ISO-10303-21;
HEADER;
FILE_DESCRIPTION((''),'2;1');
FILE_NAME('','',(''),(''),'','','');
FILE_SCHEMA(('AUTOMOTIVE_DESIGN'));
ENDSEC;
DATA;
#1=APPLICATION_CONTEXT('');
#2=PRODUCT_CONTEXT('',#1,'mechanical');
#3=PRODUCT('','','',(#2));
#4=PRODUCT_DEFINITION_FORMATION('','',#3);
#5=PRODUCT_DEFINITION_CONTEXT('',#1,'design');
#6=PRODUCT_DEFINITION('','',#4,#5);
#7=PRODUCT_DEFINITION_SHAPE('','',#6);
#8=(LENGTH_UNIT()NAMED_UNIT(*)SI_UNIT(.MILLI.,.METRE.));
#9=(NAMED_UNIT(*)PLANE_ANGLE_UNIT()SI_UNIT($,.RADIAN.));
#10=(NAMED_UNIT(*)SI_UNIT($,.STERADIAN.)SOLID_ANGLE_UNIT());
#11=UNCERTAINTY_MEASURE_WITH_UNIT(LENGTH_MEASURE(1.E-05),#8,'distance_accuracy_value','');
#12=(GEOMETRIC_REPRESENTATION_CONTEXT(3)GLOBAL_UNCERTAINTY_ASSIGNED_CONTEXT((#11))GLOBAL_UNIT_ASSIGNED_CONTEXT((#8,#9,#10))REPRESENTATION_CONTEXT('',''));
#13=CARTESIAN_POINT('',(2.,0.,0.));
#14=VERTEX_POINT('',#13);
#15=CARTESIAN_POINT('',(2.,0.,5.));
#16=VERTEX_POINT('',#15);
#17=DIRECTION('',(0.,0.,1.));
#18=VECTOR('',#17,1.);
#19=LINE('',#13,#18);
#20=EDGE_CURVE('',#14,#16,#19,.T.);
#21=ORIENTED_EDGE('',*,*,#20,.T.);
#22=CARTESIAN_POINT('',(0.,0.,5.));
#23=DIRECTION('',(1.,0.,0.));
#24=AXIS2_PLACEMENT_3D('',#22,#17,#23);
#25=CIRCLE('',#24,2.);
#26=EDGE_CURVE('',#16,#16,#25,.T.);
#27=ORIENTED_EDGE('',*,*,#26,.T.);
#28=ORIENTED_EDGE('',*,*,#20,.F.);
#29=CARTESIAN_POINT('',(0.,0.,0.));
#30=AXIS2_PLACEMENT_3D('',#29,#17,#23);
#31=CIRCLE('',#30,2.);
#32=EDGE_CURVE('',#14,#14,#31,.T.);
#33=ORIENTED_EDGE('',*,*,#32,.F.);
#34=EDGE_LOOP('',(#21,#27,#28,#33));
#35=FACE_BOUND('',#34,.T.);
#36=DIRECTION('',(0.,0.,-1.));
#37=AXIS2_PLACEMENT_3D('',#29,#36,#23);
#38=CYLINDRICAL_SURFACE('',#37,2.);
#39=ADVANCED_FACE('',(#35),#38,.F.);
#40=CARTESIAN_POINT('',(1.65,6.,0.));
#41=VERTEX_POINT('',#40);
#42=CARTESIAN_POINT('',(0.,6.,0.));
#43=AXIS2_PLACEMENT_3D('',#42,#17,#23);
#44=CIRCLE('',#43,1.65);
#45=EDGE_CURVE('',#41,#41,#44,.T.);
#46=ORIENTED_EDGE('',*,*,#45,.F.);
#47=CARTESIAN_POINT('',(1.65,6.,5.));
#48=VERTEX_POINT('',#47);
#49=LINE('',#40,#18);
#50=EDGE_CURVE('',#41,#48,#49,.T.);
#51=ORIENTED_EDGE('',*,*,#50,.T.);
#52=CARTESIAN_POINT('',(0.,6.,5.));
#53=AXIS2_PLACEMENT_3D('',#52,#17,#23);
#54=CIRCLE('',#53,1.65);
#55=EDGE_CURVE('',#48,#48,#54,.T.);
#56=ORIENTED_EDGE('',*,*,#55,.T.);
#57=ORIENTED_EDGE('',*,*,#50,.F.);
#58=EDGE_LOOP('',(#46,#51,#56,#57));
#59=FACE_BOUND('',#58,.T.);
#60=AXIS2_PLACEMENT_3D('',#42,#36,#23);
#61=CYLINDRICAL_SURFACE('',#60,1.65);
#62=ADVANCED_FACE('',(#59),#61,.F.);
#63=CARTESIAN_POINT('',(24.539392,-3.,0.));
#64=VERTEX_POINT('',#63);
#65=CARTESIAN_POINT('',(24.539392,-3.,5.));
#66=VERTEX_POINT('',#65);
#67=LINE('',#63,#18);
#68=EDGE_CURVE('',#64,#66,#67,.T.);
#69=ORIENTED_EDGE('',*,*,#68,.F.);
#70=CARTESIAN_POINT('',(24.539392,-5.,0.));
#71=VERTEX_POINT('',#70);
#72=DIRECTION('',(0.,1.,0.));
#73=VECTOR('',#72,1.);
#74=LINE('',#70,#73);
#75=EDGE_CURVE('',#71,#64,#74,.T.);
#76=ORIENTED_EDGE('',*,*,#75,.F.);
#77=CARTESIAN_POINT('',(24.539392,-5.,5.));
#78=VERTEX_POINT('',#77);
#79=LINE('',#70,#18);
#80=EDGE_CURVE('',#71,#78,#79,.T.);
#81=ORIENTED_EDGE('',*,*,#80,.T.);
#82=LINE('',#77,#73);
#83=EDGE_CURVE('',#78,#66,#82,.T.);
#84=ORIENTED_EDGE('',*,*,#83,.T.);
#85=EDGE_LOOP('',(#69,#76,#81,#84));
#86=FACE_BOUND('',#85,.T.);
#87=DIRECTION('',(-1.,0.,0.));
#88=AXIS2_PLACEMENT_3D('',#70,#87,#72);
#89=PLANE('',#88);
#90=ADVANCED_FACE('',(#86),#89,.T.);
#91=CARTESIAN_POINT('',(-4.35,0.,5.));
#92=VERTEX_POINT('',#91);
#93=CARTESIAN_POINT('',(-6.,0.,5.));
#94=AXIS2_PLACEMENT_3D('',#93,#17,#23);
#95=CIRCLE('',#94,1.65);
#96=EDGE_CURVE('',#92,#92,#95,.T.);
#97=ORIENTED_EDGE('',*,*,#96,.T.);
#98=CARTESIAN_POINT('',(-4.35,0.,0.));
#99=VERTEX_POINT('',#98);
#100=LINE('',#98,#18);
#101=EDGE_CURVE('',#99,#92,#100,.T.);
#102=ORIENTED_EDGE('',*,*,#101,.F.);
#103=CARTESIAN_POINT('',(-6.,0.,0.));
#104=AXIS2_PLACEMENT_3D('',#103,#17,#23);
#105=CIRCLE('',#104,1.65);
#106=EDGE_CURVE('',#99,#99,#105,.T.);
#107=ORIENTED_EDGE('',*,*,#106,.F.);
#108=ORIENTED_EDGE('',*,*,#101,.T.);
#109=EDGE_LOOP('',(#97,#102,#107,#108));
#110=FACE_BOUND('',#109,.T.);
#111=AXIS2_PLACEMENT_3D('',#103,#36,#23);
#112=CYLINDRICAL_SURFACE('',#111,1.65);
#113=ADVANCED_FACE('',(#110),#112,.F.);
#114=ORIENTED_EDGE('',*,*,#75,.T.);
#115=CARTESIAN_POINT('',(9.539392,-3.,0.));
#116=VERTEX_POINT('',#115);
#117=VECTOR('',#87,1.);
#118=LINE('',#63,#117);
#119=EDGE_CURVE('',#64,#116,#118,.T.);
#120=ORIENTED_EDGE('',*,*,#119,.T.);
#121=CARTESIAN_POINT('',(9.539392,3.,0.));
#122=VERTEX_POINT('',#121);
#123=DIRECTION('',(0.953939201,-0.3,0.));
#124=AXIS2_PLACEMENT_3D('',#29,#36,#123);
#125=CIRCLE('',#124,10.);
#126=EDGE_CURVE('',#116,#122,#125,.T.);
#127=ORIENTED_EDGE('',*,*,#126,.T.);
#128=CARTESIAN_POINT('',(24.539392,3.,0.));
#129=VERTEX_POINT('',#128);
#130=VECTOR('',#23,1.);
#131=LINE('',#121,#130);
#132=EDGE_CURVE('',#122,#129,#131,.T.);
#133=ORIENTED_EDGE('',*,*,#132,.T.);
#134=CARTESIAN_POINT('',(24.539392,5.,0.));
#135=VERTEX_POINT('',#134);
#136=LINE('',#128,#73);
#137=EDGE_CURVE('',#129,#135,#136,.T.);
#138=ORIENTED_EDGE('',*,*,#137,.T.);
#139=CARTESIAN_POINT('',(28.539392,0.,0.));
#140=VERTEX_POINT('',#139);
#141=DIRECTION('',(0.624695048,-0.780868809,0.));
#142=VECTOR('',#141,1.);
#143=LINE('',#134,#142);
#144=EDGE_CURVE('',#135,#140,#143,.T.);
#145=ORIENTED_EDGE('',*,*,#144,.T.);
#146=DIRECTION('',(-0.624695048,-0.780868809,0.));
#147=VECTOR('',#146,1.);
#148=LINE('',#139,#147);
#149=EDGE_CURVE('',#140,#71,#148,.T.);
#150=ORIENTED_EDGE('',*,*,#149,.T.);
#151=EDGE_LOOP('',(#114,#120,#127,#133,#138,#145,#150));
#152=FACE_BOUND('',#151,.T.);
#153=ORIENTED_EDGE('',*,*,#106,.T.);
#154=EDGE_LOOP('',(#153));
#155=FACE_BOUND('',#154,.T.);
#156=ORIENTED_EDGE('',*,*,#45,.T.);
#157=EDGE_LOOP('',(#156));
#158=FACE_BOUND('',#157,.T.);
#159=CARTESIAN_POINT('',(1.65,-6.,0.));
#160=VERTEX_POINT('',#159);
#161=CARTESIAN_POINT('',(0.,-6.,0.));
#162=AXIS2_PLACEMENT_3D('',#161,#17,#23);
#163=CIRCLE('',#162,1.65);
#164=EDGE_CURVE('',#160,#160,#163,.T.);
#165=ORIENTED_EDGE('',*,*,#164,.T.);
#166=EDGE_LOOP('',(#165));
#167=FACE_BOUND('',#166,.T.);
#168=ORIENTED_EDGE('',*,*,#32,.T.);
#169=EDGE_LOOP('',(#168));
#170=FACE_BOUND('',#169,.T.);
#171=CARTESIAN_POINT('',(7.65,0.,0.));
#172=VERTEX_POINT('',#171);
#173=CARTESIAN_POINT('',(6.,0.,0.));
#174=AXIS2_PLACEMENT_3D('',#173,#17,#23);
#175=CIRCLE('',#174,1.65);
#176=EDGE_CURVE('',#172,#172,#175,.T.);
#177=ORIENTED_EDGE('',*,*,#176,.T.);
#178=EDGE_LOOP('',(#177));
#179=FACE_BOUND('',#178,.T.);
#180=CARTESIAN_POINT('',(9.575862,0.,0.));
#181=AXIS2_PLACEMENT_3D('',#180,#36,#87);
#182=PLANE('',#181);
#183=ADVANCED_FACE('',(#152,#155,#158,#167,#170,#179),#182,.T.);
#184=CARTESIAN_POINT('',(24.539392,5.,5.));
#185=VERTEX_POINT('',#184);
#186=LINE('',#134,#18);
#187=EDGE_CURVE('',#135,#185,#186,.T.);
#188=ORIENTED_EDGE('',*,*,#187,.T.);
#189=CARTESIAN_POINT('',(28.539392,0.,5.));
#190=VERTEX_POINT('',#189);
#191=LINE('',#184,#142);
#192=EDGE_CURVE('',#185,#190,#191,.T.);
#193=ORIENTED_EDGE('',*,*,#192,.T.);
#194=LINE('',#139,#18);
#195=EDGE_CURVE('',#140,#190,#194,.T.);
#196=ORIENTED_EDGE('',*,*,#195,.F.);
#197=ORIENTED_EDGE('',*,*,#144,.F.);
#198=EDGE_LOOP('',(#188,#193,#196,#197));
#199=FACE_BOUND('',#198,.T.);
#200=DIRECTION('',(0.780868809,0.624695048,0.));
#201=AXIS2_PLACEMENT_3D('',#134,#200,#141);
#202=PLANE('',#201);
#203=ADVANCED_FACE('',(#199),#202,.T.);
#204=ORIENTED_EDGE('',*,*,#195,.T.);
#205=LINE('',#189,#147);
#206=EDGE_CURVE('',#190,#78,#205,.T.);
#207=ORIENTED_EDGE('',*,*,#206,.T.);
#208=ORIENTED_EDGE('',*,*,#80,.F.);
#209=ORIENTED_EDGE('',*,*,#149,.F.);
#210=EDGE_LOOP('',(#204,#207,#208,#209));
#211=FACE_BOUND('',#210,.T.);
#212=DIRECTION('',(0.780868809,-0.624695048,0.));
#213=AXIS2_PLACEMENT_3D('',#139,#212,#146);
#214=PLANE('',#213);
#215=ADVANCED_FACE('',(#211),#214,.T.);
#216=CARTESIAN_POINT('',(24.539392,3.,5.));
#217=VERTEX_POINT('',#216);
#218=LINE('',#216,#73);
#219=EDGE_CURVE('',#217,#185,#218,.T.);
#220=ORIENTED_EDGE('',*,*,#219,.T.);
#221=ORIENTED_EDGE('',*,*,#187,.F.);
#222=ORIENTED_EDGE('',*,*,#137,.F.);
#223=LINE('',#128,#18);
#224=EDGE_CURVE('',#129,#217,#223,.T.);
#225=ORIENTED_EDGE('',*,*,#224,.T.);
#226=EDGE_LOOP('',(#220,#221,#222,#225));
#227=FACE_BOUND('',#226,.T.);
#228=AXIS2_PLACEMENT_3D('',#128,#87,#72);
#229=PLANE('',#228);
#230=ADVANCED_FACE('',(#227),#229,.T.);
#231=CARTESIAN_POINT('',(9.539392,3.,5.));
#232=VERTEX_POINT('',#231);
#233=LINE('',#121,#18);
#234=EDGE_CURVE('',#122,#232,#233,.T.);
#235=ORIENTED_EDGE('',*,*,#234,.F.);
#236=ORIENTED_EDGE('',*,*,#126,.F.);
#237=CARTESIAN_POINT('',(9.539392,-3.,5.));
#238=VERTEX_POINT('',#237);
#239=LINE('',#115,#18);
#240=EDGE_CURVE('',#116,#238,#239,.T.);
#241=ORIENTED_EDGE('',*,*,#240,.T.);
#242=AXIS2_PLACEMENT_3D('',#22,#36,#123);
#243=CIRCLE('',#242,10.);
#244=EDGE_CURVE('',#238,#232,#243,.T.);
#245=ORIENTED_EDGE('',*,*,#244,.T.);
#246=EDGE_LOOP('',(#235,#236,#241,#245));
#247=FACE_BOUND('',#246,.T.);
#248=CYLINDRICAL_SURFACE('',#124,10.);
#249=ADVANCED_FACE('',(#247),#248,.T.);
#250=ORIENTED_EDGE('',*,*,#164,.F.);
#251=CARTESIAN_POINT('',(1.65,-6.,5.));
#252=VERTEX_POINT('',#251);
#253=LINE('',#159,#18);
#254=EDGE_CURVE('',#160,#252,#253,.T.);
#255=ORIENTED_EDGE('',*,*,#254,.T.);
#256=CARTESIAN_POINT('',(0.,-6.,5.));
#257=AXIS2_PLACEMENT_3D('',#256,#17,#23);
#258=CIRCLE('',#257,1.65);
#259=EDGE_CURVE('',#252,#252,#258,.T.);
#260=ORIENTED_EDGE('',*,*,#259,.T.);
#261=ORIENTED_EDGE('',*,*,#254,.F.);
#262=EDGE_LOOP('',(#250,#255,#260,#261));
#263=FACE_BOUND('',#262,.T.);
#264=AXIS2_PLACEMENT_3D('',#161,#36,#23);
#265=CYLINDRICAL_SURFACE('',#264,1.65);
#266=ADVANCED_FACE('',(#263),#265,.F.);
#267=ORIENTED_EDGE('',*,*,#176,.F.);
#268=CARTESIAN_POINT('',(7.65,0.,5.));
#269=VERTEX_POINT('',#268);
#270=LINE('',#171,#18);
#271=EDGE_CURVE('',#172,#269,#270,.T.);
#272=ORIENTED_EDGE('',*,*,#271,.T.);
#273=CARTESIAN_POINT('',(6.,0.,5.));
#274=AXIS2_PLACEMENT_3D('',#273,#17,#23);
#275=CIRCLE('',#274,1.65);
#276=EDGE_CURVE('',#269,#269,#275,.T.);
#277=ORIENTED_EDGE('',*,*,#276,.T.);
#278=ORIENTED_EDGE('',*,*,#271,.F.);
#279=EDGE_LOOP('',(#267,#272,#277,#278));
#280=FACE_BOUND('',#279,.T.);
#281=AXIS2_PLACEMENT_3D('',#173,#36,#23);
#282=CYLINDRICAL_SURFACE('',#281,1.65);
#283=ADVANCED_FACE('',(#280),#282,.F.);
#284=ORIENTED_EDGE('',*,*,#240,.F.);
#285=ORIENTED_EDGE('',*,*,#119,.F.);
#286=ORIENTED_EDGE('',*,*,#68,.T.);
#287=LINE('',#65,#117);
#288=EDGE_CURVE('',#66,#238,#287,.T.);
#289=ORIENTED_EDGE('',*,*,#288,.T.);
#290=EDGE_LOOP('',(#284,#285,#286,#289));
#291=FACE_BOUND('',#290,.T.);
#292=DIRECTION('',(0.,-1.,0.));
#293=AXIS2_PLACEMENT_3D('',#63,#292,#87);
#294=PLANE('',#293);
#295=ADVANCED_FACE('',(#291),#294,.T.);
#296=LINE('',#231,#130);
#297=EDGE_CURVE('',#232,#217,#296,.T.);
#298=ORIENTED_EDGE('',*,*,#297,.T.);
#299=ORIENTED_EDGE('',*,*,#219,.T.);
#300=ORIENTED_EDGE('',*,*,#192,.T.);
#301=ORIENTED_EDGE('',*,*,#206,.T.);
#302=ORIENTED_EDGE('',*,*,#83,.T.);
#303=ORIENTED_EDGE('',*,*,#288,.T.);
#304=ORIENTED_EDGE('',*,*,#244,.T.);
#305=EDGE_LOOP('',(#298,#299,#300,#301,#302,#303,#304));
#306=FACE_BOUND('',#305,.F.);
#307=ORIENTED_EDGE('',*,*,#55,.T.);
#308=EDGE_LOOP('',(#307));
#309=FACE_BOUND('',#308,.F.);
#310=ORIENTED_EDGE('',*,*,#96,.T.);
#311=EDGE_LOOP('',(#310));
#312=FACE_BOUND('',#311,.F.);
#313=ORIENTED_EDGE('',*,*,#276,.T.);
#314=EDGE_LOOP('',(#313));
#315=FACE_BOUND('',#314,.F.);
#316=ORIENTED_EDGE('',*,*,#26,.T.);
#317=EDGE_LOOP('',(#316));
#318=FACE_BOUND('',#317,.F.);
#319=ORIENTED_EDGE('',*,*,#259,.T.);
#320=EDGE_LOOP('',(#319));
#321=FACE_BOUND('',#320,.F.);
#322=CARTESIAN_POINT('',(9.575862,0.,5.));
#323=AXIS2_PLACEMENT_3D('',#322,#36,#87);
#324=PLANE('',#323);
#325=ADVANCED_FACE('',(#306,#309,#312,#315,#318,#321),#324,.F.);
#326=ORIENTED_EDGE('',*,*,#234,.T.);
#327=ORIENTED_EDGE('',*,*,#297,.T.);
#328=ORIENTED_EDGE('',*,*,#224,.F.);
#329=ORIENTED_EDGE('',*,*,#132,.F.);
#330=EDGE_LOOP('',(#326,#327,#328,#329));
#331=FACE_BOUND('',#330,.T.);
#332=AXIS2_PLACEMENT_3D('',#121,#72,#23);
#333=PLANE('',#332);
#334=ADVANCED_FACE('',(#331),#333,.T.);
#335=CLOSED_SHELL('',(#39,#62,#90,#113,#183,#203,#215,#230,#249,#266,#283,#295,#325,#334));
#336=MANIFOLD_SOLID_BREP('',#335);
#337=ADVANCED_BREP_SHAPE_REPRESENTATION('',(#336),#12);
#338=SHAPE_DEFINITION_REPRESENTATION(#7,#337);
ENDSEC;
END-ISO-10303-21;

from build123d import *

# Parameters (mm, degrees)
SKETCH1_R           = 2
SKETCH1_R_2         = 1.65
BOSS_EXTRUDE1_DEPTH = 5


with BuildPart() as part:
    # Sketch1 → Boss-Extrude1 (new body)
    with BuildSketch(Plane.XY):
        with BuildLine():
            Line((9.539392014, 3), (24.539392014, 3))
            Line((24.539392014, 3), (24.539392014, 5))
            Line((24.539392014, 5), (28.539392014, 0))
            Line((28.539392014, 0), (24.539392014, -5))
            Line((24.539392014, -5), (24.539392014, -3))
            Line((24.539392014, -3), (9.539392014, -3))
            ThreePointArc((9.539392014, -3), (-10, 0), (9.539392014, 3))
        make_face()
        Circle(SKETCH1_R, mode=Mode.SUBTRACT)
        with Locations((0, 6)):
            Circle(SKETCH1_R_2, mode=Mode.SUBTRACT)
        with Locations((6, 0)):
            Circle(SKETCH1_R_2, mode=Mode.SUBTRACT)
        with Locations((0, -6)):
            Circle(SKETCH1_R_2, mode=Mode.SUBTRACT)
        with Locations((-6, 0)):
            Circle(SKETCH1_R_2, mode=Mode.SUBTRACT)
    extrude(amount=BOSS_EXTRUDE1_DEPTH)


solid = part.part
